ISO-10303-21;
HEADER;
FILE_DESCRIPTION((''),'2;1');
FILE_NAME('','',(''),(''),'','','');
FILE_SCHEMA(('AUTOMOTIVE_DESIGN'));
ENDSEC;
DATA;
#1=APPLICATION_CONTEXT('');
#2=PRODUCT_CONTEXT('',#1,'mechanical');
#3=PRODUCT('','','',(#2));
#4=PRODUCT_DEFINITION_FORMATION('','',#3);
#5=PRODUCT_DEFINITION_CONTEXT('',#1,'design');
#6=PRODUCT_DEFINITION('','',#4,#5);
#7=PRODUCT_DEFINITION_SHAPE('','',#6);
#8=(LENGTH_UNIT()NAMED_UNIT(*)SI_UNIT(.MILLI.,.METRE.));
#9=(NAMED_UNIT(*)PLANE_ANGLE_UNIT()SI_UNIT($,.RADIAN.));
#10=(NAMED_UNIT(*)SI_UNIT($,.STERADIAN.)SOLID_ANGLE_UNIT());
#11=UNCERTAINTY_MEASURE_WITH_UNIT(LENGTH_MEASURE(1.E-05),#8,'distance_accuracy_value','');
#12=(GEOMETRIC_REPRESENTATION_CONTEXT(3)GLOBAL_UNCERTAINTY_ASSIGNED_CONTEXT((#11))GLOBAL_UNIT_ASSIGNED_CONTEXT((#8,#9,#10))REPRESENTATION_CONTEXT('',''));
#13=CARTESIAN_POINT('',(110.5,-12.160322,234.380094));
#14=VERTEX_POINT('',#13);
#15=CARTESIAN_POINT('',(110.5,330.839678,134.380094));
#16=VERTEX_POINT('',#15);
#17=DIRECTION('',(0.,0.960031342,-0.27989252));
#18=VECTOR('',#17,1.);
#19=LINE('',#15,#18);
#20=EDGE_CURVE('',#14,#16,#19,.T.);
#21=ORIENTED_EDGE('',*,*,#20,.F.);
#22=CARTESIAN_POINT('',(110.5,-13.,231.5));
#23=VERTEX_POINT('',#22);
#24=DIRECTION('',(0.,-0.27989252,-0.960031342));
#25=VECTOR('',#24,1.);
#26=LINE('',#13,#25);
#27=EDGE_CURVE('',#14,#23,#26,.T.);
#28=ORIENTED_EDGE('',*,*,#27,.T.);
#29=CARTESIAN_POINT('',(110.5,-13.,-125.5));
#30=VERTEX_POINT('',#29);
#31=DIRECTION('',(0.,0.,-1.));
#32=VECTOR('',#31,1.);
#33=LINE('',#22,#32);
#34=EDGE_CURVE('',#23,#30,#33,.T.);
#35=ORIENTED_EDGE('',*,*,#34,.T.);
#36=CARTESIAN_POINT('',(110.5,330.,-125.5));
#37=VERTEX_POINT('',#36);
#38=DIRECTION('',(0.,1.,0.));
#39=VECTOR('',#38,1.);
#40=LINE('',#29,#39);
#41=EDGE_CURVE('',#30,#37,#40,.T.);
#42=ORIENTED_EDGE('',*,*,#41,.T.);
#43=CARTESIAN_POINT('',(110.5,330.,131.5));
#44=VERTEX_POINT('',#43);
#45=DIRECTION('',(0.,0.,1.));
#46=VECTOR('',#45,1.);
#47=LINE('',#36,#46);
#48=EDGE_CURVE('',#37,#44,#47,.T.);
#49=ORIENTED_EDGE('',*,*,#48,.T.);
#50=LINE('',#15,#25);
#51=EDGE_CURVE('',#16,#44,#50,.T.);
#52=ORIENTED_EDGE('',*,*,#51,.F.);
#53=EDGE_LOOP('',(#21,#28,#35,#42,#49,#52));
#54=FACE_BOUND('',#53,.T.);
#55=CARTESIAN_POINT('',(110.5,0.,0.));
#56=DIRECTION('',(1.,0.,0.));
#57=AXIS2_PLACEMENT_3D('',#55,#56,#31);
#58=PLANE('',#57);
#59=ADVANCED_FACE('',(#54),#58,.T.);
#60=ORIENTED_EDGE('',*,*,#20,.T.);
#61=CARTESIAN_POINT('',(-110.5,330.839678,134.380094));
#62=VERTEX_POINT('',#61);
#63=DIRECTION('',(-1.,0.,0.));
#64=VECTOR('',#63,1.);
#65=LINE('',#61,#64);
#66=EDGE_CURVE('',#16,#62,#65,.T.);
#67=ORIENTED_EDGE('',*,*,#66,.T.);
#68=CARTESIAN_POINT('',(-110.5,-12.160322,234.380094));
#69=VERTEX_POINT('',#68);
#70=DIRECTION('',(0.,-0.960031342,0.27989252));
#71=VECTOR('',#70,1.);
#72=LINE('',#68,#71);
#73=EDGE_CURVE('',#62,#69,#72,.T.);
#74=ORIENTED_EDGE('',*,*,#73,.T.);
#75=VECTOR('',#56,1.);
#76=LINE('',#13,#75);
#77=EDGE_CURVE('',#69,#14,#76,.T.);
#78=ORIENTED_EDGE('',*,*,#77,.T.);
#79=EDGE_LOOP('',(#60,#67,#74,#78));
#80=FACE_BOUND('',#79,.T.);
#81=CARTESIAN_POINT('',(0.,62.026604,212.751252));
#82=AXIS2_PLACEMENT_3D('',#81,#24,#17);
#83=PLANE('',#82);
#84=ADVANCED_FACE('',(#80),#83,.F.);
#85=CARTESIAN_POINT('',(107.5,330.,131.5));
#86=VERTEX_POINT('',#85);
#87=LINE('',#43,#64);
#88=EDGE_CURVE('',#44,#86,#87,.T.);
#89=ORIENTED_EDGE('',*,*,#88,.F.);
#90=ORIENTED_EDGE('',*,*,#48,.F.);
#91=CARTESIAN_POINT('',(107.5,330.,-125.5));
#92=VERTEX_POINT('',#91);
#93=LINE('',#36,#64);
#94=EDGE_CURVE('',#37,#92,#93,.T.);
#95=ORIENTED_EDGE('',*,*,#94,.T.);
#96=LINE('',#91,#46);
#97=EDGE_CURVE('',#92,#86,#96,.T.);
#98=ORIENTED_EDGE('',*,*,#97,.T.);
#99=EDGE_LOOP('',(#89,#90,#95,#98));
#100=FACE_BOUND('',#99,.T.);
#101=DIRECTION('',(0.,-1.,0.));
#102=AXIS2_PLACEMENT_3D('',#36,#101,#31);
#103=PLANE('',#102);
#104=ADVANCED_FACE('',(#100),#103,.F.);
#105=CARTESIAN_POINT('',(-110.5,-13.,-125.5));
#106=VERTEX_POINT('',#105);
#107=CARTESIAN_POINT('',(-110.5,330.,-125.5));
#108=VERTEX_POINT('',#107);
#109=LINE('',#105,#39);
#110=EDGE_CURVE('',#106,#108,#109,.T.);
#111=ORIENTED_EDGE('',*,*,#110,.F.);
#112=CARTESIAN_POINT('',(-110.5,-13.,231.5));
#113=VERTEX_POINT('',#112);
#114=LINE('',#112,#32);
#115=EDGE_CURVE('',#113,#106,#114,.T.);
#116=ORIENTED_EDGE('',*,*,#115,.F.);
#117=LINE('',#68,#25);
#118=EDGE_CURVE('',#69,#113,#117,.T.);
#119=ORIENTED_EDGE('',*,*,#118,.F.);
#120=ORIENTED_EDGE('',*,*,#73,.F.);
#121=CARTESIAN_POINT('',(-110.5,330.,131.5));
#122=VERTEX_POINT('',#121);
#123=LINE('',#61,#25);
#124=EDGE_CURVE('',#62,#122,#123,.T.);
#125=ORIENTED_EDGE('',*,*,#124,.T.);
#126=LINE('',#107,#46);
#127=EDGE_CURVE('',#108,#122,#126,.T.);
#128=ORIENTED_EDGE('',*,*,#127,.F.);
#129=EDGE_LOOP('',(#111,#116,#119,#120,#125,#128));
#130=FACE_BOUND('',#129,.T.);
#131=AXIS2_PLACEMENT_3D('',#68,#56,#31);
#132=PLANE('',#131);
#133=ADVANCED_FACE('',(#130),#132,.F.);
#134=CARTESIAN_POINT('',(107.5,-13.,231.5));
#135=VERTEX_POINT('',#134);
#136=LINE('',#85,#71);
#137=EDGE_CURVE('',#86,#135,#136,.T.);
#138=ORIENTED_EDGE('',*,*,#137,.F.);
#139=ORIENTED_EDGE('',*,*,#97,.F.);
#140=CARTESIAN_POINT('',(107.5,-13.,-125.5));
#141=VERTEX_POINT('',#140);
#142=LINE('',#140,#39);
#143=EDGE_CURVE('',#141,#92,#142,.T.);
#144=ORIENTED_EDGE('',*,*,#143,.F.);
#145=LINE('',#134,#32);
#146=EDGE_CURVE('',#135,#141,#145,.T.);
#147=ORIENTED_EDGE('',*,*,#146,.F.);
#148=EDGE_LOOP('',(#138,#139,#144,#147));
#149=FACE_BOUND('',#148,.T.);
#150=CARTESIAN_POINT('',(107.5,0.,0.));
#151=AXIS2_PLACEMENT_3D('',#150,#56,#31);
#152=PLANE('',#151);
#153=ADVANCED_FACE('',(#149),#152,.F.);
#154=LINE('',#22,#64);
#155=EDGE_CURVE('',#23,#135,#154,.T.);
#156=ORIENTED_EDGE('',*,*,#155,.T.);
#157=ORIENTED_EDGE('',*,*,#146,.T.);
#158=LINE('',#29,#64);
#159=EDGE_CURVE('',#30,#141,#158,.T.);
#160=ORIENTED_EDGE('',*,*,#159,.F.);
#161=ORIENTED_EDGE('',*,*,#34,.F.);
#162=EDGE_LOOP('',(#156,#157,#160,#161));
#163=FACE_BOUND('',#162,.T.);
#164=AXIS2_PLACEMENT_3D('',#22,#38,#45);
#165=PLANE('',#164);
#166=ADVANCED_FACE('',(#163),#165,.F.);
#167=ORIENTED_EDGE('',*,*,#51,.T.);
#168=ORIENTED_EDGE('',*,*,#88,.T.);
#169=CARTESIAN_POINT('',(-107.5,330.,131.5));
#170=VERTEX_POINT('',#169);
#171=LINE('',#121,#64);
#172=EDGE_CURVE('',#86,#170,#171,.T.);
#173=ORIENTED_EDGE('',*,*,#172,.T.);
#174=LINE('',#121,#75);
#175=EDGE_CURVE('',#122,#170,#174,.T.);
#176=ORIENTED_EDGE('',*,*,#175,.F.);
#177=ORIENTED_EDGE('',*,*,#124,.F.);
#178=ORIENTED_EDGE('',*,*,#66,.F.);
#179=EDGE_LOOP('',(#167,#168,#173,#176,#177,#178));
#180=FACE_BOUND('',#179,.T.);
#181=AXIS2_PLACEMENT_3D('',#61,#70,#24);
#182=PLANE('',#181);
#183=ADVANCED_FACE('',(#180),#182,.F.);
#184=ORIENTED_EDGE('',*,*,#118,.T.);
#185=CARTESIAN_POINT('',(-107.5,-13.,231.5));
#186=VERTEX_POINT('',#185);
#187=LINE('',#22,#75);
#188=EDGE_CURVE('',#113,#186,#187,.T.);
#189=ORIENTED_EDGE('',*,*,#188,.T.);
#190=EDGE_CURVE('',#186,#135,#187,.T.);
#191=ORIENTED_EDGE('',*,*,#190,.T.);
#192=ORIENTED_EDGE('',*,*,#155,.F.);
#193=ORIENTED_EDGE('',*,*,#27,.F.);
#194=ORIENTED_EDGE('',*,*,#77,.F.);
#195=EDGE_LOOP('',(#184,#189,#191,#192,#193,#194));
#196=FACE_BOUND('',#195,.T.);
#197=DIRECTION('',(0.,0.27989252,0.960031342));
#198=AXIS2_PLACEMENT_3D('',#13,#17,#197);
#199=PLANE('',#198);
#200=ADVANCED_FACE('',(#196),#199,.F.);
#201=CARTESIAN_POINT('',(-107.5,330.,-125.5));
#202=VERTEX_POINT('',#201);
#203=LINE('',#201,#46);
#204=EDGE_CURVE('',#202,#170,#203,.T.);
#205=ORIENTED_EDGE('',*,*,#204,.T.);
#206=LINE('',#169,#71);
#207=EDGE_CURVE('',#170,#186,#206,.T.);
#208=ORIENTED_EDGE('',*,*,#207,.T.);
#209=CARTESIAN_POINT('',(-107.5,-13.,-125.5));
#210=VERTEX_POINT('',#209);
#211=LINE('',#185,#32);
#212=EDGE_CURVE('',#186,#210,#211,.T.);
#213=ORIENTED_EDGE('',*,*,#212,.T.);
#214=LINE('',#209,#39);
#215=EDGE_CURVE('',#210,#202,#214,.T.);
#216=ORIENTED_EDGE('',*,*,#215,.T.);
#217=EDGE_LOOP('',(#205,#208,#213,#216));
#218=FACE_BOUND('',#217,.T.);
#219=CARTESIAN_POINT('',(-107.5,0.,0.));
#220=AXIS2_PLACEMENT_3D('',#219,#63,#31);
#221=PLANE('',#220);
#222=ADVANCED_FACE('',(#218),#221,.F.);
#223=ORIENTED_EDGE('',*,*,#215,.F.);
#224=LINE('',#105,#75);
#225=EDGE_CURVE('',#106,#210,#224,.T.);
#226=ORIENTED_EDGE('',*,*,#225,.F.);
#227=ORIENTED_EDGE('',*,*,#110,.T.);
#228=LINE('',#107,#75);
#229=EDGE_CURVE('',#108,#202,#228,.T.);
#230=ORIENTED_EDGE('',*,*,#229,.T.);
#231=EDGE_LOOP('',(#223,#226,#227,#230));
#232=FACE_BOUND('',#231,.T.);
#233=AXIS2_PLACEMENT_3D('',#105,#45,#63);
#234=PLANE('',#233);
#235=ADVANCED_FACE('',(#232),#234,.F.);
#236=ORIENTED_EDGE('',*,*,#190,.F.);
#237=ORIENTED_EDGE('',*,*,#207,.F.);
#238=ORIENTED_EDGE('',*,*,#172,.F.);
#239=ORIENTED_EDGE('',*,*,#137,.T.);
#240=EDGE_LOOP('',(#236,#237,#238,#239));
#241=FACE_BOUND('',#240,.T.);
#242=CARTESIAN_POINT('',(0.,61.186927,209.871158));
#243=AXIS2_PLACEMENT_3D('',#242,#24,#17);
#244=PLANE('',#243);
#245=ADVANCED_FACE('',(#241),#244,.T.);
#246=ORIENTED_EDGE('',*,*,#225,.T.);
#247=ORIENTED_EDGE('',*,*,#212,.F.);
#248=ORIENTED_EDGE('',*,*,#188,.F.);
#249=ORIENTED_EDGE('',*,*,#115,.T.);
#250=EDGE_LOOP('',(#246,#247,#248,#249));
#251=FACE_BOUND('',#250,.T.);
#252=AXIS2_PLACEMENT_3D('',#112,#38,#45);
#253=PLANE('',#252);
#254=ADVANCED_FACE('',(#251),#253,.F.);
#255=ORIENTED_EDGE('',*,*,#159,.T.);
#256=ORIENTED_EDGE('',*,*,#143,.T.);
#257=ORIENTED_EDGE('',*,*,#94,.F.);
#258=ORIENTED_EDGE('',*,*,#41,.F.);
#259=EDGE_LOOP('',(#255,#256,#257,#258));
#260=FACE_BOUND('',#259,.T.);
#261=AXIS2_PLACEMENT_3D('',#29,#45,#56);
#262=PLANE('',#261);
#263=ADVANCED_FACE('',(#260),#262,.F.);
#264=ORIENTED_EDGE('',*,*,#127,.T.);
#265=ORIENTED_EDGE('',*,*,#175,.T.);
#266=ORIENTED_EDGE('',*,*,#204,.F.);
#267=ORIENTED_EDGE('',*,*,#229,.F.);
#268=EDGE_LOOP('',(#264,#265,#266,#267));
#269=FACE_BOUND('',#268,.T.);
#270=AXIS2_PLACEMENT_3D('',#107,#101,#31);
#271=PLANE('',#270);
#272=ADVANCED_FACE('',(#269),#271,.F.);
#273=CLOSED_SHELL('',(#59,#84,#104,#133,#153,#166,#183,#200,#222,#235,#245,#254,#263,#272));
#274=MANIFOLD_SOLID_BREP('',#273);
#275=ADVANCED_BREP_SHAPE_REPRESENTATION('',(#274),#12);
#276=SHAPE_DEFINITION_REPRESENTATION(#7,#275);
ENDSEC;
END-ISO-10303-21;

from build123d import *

# Parameters (mm, degrees)
BOSS_EXTRUDE1_DEPTH = 3
SKETCH2_W           = 221
SKETCH2_H           = 357.28000224
BOSS_EXTRUDE2_DEPTH = 3


with BuildPart() as part:
    # Sketch1 → Boss-Extrude1 (new body)
    with BuildSketch(Plane(origin=(107.5, 0, 0), x_dir=(0, 0, -1), z_dir=(1, 0, 0))):
        Polygon((125.5, 330), (-131.5, 330), (-231.5, -13), (125.5, -13), align=None)
    extrude(amount=BOSS_EXTRUDE1_DEPTH)


with BuildPart() as body_2:
    # Mirror2: mirrored copy
    add(part.part.mirror(Plane(origin=(0, 0, 0), x_dir=(0, 0, 1), z_dir=(1, 0, 0))))


with BuildPart() as part_1:
    add(part.part)

    add(body_2.part)  # Boss-Extrude2 merges body 2
    # Sketch2 → Boss-Extrude2 (add)
    with BuildSketch(Plane(origin=(0, 61.18692665, 209.871158411), x_dir=(1, 0, 0), z_dir=(0, 0.27989252, 0.960031342))):
        with Locations((0, 101.364475406)):
            Rectangle(SKETCH2_W, SKETCH2_H)
    extrude(amount=BOSS_EXTRUDE2_DEPTH)


solid = part_1.part
